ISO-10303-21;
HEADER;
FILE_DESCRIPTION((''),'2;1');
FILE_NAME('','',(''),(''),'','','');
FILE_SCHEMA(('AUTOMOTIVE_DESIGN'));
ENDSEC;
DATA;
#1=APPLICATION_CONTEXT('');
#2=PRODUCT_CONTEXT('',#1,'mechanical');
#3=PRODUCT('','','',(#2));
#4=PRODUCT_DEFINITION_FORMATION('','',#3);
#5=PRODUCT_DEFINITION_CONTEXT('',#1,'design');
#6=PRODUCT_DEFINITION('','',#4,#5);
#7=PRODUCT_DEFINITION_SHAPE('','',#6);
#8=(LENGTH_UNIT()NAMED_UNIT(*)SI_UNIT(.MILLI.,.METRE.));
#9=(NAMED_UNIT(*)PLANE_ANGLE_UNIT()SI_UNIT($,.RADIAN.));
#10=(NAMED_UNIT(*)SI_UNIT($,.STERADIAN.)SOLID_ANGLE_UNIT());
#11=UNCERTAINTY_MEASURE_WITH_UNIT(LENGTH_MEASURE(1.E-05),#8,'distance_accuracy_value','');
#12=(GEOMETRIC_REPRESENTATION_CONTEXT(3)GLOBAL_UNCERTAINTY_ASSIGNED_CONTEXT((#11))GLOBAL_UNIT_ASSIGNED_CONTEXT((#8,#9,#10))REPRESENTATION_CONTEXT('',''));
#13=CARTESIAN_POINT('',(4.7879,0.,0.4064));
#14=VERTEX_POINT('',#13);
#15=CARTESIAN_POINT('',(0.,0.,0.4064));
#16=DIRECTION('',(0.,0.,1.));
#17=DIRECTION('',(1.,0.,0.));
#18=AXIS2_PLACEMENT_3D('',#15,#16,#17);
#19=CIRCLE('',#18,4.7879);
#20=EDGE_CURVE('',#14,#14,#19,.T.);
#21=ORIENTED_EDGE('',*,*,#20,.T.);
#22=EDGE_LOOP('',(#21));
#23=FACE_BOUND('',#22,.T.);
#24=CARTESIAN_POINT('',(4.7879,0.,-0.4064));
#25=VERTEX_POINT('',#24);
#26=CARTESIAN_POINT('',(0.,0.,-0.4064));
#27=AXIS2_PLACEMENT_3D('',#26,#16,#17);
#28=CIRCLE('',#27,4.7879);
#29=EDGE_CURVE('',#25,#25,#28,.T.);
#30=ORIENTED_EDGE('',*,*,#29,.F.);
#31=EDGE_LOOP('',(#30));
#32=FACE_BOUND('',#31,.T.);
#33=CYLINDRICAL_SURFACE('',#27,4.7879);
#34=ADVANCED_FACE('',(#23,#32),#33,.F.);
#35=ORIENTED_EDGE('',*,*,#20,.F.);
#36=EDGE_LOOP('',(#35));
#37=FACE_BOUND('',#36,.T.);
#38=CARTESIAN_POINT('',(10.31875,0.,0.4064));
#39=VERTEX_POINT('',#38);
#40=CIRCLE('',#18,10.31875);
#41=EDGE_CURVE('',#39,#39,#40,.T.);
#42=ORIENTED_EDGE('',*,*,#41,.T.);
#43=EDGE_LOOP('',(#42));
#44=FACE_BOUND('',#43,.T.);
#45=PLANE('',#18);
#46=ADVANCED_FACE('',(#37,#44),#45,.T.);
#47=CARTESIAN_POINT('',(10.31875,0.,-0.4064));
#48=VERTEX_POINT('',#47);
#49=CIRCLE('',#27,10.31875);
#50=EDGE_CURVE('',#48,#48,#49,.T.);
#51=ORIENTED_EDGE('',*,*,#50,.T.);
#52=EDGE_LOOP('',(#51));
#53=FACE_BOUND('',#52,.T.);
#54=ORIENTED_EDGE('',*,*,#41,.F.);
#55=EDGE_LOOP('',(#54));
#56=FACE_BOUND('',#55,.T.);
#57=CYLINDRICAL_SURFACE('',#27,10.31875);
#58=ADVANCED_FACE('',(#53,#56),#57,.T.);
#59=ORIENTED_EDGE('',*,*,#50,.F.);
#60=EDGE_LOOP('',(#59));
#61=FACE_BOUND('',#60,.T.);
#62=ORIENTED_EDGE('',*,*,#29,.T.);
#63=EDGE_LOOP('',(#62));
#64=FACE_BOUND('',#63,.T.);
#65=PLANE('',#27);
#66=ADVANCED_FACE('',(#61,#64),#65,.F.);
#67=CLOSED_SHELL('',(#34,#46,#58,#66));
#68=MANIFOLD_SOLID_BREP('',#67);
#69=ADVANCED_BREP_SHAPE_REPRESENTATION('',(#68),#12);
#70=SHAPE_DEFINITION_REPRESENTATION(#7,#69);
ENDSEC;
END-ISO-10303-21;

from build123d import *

# Parameters (mm, degrees)
BOSS_EXTRUDE1_DEPTH      = 0.4064
BOSS_EXTRUDE1_DEPTH_BACK = 0.4064
SKETCH3_R                = 10.31875
SKETCH3_R_2              = 4.7879


with BuildPart() as part:
    # Sketch3 → Boss-Extrude1 (new, two sides: drawn at the far end of the back side and taken through both)
    with BuildSketch(Plane.XY.offset(-BOSS_EXTRUDE1_DEPTH_BACK)):
        Circle(SKETCH3_R)
        Circle(SKETCH3_R_2, mode=Mode.SUBTRACT)
    extrude(amount=BOSS_EXTRUDE1_DEPTH + BOSS_EXTRUDE1_DEPTH_BACK)


solid = part.part
